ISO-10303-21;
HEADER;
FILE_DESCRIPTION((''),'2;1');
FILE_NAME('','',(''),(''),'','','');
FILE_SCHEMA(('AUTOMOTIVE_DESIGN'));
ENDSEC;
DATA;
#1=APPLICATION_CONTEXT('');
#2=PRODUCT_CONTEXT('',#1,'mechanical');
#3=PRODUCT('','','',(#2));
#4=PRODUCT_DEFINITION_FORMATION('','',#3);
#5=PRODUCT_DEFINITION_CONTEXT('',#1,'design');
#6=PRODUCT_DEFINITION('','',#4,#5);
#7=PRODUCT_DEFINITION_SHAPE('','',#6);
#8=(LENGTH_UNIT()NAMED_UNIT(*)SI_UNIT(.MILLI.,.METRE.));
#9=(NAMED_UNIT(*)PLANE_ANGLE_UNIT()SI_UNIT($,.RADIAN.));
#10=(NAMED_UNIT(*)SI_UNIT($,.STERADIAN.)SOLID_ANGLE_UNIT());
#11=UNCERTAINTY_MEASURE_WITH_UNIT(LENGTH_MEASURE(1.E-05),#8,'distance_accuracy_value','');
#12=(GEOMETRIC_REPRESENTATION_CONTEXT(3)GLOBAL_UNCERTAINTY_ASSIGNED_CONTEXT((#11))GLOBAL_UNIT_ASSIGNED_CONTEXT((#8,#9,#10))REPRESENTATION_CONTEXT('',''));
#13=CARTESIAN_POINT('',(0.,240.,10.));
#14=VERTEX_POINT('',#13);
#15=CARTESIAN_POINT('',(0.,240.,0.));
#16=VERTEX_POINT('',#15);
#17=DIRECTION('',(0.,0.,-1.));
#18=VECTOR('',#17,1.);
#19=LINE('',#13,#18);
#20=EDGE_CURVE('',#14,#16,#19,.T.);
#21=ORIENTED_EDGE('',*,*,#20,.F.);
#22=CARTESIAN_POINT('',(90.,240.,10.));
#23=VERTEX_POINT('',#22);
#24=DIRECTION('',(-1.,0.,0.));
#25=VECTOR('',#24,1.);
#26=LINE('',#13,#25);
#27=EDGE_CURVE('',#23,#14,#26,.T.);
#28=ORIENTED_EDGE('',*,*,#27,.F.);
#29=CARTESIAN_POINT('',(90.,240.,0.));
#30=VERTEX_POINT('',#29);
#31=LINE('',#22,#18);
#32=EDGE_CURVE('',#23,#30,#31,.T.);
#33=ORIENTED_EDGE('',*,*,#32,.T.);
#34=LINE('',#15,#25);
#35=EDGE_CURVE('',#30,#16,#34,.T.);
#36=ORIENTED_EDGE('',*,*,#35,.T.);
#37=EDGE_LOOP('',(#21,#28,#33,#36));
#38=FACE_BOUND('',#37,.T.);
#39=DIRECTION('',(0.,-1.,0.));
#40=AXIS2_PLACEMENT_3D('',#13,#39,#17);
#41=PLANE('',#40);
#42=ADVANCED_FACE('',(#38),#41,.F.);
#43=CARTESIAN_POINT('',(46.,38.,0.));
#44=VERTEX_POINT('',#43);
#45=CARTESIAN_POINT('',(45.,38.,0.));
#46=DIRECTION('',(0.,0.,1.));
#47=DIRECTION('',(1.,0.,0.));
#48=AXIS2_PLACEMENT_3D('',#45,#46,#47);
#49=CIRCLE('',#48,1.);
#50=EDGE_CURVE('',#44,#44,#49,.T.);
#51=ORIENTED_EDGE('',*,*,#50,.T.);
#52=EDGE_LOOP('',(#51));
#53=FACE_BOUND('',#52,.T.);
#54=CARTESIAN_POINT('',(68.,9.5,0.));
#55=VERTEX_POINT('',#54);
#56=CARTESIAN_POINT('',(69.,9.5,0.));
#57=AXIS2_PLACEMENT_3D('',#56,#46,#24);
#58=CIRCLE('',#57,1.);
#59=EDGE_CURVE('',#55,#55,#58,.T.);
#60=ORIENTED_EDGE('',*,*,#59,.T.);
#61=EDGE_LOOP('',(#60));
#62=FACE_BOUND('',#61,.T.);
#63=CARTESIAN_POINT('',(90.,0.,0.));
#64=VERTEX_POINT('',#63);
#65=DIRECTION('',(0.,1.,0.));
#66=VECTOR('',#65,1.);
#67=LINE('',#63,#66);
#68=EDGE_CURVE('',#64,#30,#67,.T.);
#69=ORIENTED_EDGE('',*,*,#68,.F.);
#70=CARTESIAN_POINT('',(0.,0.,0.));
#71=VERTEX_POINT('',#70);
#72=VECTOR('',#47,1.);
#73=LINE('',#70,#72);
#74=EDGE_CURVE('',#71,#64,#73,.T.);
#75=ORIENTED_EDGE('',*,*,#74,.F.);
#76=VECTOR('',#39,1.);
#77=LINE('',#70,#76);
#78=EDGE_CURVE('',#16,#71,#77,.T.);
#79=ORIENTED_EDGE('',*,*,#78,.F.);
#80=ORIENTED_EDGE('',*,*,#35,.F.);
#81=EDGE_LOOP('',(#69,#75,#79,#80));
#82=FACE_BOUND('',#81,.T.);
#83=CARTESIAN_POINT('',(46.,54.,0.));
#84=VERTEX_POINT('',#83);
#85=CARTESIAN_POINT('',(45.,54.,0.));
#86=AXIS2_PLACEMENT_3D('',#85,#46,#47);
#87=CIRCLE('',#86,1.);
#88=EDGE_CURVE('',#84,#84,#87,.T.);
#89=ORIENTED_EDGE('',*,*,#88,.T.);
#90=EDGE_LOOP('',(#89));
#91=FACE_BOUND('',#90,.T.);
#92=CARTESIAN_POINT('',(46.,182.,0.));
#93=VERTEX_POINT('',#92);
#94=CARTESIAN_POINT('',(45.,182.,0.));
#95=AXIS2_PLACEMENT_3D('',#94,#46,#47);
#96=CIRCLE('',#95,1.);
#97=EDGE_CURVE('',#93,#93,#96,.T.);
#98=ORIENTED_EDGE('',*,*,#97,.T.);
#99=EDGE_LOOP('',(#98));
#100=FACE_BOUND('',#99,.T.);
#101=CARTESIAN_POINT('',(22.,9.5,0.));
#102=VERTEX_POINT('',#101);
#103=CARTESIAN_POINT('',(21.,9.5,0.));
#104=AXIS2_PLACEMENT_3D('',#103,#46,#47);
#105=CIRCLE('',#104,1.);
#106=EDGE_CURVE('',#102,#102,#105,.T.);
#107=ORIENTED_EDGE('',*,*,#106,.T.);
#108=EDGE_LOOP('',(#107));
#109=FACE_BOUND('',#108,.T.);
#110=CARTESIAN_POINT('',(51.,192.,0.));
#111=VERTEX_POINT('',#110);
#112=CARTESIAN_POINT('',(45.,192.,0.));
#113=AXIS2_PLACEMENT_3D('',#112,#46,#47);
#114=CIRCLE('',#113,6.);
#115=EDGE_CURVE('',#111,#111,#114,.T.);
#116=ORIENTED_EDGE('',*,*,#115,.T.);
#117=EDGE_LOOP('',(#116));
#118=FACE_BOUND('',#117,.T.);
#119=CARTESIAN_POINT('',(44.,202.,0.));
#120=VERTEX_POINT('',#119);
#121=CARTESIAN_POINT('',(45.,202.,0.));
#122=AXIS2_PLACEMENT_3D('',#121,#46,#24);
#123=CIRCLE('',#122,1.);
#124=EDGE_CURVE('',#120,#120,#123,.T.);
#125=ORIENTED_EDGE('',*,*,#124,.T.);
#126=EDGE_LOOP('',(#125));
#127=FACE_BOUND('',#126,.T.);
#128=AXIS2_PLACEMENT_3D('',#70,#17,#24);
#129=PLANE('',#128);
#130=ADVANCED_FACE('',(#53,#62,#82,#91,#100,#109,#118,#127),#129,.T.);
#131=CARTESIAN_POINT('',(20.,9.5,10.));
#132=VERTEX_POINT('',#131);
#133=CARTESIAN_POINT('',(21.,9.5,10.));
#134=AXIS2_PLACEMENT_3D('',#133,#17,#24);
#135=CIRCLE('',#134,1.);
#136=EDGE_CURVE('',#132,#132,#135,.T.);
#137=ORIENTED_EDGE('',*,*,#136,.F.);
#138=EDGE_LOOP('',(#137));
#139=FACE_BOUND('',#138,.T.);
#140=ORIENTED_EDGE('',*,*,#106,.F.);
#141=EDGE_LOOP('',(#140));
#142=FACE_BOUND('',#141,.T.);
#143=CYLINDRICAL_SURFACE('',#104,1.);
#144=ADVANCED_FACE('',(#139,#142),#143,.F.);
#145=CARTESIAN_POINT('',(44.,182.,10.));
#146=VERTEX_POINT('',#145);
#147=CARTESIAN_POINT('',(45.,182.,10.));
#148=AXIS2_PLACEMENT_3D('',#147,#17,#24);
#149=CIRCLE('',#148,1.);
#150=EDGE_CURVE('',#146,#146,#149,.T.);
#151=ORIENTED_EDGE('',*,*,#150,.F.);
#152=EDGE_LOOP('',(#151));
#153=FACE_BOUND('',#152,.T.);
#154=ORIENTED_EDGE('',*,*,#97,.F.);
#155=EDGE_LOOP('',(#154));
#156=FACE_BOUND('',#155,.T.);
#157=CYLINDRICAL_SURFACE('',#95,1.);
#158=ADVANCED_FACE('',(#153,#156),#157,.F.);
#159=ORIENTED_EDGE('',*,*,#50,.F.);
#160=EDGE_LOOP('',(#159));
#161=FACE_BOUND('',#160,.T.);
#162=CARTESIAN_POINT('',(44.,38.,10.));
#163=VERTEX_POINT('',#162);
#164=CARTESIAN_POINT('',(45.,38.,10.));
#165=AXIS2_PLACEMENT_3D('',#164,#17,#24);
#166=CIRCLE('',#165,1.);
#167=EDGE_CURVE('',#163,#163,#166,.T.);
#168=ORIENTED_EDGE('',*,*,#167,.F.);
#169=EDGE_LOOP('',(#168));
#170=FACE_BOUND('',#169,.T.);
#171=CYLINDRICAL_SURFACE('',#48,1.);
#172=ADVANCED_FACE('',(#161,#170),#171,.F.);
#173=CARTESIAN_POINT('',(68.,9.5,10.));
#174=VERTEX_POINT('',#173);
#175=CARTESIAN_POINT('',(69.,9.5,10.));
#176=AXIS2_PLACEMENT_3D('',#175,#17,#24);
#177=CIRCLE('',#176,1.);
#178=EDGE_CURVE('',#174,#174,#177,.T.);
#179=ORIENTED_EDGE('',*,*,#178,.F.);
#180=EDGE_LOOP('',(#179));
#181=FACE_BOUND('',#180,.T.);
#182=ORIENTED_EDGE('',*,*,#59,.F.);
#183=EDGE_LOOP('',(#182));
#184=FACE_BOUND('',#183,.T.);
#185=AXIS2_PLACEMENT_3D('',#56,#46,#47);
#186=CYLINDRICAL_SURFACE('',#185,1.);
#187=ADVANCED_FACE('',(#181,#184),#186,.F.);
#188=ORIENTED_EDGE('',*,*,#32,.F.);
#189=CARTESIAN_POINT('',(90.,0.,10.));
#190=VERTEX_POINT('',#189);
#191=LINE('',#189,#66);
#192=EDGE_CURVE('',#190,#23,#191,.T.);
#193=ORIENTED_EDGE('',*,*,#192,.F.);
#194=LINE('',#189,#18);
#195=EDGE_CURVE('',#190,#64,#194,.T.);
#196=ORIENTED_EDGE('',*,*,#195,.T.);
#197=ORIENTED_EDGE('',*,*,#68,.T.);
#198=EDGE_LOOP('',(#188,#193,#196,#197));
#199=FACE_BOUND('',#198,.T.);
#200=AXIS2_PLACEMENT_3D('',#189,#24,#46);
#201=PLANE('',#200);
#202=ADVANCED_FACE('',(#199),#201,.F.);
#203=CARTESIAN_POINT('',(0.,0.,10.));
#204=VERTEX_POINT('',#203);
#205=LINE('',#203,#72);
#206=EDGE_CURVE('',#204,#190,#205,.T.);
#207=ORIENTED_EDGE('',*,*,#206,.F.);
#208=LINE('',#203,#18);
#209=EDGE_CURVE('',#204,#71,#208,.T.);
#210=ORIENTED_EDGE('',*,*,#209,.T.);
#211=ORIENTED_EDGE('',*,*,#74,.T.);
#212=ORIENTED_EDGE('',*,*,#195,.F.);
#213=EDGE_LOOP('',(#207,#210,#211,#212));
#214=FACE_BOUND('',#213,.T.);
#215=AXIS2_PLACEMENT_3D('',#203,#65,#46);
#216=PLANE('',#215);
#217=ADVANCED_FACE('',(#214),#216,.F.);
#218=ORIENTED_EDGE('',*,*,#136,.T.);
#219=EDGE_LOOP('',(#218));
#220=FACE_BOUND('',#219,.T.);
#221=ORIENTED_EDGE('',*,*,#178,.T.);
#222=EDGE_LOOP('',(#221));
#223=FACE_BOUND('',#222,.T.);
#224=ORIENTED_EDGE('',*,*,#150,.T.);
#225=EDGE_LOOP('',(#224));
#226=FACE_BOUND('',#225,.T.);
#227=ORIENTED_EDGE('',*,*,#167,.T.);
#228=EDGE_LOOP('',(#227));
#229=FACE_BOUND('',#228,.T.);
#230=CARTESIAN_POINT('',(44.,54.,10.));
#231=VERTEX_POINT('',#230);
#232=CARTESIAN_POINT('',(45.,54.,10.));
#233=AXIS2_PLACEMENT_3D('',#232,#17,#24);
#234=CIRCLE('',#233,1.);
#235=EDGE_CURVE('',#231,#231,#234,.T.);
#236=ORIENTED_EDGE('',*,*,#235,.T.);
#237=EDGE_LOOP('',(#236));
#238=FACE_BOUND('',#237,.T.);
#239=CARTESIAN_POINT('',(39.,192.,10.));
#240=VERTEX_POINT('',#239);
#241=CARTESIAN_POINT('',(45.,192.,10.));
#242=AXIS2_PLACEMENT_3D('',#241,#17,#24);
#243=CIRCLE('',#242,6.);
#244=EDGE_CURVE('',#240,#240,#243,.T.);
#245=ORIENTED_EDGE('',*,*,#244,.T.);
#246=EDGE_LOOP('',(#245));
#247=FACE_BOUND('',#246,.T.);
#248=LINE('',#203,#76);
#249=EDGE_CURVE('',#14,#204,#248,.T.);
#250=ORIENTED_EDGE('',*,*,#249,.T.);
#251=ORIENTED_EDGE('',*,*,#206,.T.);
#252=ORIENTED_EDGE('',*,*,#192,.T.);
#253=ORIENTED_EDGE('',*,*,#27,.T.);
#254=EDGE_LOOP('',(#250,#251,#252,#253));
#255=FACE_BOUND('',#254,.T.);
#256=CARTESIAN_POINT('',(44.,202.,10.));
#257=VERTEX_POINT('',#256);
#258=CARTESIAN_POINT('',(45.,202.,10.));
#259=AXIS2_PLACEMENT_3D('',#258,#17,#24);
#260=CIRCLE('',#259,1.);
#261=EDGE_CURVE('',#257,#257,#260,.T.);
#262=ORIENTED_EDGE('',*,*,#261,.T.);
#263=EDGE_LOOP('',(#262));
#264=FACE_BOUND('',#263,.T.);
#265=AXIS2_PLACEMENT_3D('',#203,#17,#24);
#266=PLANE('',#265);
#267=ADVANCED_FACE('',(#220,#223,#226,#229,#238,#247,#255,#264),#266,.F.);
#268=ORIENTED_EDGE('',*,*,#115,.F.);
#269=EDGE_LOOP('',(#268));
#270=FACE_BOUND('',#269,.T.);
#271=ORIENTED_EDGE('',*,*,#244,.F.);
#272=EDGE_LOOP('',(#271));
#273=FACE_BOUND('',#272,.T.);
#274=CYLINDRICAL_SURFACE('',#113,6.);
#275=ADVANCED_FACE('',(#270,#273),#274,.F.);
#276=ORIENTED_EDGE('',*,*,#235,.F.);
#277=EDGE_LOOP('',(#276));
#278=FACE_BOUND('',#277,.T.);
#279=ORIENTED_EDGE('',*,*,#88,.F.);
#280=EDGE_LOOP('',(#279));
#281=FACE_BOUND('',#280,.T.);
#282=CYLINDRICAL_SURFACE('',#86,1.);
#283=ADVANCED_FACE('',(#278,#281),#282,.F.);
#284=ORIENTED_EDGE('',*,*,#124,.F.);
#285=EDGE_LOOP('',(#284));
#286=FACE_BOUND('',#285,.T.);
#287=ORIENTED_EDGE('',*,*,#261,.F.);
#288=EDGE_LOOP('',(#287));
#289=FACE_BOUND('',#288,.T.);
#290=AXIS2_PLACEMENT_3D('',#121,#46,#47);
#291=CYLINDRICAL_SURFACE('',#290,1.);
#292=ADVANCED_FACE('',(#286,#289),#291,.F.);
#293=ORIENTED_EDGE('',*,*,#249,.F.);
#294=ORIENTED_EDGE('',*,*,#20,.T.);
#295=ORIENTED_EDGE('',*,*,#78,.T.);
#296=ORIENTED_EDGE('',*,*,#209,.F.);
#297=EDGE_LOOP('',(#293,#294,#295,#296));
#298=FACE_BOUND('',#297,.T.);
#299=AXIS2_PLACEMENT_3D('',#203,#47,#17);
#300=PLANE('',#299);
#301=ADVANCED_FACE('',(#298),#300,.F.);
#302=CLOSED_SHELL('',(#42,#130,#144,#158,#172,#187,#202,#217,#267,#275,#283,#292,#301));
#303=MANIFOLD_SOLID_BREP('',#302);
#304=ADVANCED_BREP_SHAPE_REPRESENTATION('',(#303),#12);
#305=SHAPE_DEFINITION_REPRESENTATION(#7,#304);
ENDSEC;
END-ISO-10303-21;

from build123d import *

# Parameters (mm, degrees)
ESQUISSE1_W                  = 90
ESQUISSE1_H                  = 240
BOSS_EXTRU_1_DEPTH           = 10
ENL_V_MAT_EXTRU_1_DEPTH      = 257.515106768
ENL_V_MAT_EXTRU_1_DEPTH_BACK = 257.515106768
ESQUISSE2_R                  = 1
ESQUISSE2_R_2                = 6


with BuildPart() as part:
    # Esquisse1 → Boss.-Extru.1 (new body)
    with BuildSketch(Plane.XY):
        with Locations((45, 120)):
            Rectangle(ESQUISSE1_W, ESQUISSE1_H)
    extrude(amount=BOSS_EXTRU_1_DEPTH)

    # Esquisse2 → Enlèv. mat.-Extru.1 (cut, two sides: drawn at the far end of the back side and taken through both)
    with BuildSketch(Plane.XY.offset(10).offset(-ENL_V_MAT_EXTRU_1_DEPTH_BACK)):
        with Locations((45, 54)):
            Circle(ESQUISSE2_R)
        with Locations((45, 38)):
            Circle(ESQUISSE2_R)
        with Locations((21, 9.5)):
            Circle(ESQUISSE2_R)
        with Locations(Location((69, 9.5, 0), (0, 0, 180))):
            Circle(ESQUISSE2_R)
        with Locations((45, 192)):
            Circle(ESQUISSE2_R_2)
        with Locations((45, 182)):
            Circle(ESQUISSE2_R)
        with Locations(Location((45, 202, 0), (0, 0, 180))):
            Circle(ESQUISSE2_R)
    extrude(amount=ENL_V_MAT_EXTRU_1_DEPTH + ENL_V_MAT_EXTRU_1_DEPTH_BACK, mode=Mode.SUBTRACT)


solid = part.part
